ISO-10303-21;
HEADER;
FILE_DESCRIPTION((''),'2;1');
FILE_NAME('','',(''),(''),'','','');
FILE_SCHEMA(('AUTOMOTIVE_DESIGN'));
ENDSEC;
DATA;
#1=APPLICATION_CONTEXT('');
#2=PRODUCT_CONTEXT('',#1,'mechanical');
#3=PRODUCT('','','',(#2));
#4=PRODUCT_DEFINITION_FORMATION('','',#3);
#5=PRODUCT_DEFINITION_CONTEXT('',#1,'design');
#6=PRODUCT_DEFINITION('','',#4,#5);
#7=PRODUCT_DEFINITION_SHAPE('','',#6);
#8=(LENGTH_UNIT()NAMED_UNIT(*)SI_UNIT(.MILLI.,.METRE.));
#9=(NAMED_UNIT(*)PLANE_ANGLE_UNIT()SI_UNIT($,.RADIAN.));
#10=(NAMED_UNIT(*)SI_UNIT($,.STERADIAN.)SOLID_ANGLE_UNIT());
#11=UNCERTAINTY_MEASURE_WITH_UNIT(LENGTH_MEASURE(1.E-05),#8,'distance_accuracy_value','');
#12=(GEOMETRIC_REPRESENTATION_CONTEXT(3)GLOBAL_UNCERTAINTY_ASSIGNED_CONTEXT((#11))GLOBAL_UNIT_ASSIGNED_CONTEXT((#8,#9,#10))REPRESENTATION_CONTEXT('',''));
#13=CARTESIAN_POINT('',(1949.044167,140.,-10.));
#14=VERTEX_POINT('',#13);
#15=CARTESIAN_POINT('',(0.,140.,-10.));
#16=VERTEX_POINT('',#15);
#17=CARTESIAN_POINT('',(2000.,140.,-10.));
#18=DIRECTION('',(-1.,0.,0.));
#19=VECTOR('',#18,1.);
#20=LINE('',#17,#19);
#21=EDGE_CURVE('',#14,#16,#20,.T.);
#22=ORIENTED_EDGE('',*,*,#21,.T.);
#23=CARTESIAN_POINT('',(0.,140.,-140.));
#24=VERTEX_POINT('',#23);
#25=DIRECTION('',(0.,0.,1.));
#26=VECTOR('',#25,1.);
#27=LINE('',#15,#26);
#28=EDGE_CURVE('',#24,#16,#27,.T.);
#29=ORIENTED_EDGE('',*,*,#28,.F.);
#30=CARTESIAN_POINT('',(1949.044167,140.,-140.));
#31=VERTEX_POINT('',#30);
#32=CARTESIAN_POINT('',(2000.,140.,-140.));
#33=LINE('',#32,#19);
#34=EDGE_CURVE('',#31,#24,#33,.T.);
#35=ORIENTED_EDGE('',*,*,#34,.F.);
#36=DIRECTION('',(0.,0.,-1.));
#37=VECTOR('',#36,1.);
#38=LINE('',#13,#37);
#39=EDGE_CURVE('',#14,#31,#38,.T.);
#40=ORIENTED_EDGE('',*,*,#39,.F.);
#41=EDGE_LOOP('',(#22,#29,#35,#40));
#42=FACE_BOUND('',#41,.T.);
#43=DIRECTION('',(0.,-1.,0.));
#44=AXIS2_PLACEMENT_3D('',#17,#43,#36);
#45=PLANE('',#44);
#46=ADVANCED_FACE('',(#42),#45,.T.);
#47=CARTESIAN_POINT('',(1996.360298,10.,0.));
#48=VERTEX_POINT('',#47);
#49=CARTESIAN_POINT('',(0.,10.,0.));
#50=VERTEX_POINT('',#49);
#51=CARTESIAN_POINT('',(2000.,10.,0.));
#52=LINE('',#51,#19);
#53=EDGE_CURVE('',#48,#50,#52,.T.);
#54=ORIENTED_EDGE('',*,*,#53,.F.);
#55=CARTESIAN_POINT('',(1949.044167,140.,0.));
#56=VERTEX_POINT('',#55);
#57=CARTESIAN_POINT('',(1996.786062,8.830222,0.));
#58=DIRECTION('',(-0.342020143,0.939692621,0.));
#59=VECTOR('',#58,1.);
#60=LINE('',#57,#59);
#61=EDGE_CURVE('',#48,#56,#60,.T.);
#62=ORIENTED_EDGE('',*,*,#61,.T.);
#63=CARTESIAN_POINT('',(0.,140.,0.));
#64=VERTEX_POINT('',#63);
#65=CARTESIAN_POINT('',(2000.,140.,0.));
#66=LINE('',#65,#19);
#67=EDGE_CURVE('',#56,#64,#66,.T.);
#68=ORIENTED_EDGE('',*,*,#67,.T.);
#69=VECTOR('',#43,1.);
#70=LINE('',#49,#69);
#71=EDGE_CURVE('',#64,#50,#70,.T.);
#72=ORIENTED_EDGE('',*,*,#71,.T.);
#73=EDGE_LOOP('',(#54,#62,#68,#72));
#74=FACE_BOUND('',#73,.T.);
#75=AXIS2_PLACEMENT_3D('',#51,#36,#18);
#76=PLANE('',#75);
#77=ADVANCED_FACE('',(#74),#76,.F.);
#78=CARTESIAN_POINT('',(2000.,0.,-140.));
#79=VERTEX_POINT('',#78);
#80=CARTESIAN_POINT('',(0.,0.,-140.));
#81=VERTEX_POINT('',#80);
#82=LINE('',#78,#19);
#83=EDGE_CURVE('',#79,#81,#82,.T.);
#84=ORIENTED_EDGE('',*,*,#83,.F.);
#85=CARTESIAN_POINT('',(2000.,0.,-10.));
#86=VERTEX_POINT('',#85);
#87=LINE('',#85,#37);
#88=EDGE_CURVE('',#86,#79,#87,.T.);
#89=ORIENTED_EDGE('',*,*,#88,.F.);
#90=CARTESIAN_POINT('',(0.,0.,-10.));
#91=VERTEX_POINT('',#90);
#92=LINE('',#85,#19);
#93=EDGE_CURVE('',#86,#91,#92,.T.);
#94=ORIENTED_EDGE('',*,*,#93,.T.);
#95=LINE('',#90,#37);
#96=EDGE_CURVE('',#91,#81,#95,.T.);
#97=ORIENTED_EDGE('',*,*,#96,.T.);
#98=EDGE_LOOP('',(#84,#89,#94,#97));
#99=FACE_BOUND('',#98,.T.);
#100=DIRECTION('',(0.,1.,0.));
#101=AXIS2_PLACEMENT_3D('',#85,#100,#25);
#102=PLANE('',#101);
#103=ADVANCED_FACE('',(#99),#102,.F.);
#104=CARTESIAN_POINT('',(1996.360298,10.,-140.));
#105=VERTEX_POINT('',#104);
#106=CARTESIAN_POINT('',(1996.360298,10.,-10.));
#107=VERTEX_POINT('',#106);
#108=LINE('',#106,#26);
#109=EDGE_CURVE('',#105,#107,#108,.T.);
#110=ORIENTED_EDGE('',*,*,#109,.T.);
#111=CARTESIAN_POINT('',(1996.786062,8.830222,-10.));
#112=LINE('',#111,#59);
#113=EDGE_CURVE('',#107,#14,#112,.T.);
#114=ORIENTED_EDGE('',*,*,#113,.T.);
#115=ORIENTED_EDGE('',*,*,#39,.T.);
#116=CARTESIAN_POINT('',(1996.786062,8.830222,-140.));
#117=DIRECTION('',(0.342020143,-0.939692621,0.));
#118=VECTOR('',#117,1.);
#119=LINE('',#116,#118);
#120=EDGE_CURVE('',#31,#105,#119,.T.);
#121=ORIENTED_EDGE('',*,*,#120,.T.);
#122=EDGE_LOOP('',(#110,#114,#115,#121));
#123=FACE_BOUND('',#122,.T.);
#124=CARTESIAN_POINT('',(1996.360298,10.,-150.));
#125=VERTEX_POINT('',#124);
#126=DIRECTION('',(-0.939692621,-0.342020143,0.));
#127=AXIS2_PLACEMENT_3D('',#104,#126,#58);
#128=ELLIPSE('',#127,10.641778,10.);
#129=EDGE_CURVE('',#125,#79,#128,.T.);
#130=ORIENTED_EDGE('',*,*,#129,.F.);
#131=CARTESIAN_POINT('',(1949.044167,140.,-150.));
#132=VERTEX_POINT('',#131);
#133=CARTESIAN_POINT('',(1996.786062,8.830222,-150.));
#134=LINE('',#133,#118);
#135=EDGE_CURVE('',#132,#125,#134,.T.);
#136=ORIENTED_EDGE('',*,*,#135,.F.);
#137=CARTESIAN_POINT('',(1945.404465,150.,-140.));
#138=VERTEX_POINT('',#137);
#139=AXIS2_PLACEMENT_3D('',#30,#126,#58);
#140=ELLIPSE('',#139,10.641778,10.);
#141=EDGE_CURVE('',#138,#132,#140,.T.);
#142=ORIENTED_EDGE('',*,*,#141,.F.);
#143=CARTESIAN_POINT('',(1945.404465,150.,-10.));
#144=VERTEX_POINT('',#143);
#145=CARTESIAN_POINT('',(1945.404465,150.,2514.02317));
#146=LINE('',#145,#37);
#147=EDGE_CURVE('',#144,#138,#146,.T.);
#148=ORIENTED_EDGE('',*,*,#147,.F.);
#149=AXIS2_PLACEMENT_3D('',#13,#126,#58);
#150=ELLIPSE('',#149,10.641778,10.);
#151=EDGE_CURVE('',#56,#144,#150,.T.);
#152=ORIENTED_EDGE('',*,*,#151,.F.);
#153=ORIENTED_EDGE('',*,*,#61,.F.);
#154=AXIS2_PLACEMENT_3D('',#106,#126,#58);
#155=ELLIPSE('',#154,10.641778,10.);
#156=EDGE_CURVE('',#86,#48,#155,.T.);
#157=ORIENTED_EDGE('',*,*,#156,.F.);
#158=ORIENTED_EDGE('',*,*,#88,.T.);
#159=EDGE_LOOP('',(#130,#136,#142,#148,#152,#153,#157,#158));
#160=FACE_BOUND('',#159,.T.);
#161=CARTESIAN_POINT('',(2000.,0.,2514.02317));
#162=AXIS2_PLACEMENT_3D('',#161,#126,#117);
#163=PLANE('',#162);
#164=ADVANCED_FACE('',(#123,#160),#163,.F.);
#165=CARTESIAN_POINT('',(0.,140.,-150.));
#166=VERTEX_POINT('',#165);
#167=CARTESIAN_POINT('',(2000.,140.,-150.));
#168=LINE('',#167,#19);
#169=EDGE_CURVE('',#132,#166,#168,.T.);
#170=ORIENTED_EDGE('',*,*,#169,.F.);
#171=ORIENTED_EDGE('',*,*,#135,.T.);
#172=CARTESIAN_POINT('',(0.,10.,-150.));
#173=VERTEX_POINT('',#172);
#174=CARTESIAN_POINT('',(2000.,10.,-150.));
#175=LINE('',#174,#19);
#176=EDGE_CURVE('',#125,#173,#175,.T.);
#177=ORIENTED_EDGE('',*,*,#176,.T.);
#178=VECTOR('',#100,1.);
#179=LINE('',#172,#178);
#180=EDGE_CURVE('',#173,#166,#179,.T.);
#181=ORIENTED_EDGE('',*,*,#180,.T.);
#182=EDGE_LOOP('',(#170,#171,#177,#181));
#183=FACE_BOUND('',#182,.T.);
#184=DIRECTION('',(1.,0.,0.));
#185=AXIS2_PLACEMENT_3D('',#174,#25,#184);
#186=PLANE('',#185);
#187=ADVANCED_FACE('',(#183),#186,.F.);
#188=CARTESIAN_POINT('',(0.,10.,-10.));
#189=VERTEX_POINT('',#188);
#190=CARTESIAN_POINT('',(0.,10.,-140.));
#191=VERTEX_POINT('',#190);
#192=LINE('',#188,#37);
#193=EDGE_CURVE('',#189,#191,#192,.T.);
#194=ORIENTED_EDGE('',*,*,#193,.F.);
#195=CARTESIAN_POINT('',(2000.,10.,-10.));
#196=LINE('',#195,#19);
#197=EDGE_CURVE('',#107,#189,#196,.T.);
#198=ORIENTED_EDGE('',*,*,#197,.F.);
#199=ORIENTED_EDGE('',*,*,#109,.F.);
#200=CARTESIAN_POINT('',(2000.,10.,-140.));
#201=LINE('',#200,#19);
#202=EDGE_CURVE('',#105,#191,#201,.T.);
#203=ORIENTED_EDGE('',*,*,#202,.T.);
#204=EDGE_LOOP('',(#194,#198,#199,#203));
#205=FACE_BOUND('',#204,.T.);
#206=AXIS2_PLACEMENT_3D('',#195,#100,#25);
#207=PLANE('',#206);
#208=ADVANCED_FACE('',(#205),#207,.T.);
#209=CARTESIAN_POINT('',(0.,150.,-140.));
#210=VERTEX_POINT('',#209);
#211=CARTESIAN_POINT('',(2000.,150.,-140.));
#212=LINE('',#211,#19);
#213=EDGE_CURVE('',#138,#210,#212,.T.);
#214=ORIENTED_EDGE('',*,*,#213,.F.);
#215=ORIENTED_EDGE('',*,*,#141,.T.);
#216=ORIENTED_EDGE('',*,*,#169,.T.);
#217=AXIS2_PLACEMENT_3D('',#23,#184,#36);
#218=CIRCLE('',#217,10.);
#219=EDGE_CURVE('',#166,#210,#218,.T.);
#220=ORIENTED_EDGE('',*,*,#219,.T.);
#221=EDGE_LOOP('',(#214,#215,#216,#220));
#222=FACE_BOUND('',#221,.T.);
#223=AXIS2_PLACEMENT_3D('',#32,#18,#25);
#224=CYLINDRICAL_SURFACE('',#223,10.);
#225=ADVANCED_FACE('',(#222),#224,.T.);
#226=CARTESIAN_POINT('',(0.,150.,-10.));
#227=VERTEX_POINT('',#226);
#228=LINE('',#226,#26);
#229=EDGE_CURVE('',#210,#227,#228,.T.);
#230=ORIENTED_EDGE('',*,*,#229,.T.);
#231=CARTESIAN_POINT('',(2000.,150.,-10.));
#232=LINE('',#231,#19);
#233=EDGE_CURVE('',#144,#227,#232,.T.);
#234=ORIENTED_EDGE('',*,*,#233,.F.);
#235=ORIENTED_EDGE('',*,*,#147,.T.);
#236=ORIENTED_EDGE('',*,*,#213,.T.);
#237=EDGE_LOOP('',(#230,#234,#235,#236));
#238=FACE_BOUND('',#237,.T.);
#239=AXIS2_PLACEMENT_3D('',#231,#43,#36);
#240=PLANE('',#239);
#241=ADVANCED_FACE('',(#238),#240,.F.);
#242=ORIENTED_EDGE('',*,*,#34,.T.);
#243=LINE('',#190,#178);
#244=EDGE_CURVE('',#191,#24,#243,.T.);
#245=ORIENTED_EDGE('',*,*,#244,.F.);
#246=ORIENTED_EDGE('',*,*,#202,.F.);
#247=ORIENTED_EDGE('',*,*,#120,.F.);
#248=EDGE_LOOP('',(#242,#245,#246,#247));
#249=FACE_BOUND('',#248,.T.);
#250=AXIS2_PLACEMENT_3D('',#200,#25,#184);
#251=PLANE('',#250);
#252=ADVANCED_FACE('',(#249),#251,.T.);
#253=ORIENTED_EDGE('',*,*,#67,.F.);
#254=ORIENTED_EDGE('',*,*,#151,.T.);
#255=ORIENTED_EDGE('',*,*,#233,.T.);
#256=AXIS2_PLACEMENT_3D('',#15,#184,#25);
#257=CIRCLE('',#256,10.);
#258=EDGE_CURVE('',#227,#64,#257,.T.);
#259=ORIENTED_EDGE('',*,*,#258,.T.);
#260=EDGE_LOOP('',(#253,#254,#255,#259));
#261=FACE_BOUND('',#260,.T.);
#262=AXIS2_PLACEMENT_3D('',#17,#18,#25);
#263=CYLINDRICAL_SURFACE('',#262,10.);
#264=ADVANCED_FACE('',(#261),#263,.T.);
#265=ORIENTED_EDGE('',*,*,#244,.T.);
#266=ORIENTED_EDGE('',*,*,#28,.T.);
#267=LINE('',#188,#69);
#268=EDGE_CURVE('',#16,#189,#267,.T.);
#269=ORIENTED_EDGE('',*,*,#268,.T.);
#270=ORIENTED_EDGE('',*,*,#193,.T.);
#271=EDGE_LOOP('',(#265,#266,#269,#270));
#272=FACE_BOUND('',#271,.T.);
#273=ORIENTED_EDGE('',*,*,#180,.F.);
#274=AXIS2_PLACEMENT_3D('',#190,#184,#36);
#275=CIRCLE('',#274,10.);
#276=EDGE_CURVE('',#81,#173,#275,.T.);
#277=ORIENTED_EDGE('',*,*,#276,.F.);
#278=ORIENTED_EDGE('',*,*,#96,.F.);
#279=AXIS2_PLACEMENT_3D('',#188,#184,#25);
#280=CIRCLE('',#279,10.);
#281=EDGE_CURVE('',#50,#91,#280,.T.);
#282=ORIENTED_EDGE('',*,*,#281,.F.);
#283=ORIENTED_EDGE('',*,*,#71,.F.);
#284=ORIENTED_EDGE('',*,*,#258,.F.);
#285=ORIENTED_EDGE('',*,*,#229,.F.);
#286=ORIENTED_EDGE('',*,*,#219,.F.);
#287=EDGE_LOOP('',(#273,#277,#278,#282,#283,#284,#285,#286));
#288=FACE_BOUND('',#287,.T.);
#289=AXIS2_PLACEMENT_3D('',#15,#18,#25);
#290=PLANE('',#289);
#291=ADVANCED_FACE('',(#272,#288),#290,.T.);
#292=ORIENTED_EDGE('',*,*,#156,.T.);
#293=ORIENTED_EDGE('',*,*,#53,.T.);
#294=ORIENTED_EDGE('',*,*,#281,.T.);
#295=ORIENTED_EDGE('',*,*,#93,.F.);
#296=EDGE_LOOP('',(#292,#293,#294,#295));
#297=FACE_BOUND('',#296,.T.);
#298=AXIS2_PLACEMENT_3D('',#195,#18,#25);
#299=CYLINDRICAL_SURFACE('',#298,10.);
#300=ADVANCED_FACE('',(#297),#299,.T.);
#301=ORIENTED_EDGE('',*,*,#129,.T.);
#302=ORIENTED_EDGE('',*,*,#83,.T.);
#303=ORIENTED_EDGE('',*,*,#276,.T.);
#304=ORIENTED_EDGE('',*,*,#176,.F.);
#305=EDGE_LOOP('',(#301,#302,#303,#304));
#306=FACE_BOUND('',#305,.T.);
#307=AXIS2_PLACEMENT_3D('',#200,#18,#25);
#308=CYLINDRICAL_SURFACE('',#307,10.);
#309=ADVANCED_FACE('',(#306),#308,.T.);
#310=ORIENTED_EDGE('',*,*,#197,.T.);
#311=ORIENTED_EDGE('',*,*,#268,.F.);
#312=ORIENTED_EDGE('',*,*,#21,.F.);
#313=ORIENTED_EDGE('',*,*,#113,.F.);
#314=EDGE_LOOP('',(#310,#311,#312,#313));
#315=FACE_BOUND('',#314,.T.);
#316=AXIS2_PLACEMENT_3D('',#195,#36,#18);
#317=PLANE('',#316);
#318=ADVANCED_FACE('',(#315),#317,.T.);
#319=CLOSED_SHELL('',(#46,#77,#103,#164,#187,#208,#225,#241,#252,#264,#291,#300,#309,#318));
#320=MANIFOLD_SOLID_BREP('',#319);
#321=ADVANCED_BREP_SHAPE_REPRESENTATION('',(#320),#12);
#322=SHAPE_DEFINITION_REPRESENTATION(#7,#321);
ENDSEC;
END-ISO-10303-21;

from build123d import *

# Parameters (mm, degrees)
SKETCH1_W               = 130
SKETCH1_H               = 130
EXTRUDE1_DEPTH          = 2000
CUT_EXTRUDE2_DEPTH      = 2012.218536112
CUT_EXTRUDE2_DEPTH_BACK = 2012.218536112


with BuildPart() as part:
    # Sketch1 → Extrude1 (new body)
    with BuildSketch(Plane(origin=(0, 0, 0), x_dir=(0, 0, -1), z_dir=(1, 0, 0))):
        with BuildLine():
            Line((10, 0), (140, 0))
            ThreePointArc((140, 0), (147.071067812, 2.928932188), (150, 10))
            Line((150, 10), (150, 140))
            ThreePointArc((150, 140), (147.071067812, 147.071067812), (140, 150))
            Line((140, 150), (10, 150))
            ThreePointArc((10, 150), (2.928932188, 147.071067812), (0, 140))
            Line((0, 140), (0, 10))
            ThreePointArc((0, 10), (2.928932188, 2.928932188), (10, 0))
        make_face()
        with Locations((75, 75)):
            Rectangle(SKETCH1_W, SKETCH1_H, mode=Mode.SUBTRACT)
    extrude(amount=EXTRUDE1_DEPTH)

    # Sketch2 → Cut-Extrude2 (cut, two sides: drawn at the far end of the back side and taken through both)
    with BuildSketch(Plane.XY.offset(-CUT_EXTRUDE2_DEPTH_BACK)):
        Polygon((3375.343105648, -3778.724126769), (2000, 0), (1945.40446486, 150), (570.061359213, 3928.724126769), (8127.509612751, 6679.410338064), (10932.791359186, -1028.037915474), align=None)
    extrude(amount=CUT_EXTRUDE2_DEPTH + CUT_EXTRUDE2_DEPTH_BACK, mode=Mode.SUBTRACT)


solid = part.part
